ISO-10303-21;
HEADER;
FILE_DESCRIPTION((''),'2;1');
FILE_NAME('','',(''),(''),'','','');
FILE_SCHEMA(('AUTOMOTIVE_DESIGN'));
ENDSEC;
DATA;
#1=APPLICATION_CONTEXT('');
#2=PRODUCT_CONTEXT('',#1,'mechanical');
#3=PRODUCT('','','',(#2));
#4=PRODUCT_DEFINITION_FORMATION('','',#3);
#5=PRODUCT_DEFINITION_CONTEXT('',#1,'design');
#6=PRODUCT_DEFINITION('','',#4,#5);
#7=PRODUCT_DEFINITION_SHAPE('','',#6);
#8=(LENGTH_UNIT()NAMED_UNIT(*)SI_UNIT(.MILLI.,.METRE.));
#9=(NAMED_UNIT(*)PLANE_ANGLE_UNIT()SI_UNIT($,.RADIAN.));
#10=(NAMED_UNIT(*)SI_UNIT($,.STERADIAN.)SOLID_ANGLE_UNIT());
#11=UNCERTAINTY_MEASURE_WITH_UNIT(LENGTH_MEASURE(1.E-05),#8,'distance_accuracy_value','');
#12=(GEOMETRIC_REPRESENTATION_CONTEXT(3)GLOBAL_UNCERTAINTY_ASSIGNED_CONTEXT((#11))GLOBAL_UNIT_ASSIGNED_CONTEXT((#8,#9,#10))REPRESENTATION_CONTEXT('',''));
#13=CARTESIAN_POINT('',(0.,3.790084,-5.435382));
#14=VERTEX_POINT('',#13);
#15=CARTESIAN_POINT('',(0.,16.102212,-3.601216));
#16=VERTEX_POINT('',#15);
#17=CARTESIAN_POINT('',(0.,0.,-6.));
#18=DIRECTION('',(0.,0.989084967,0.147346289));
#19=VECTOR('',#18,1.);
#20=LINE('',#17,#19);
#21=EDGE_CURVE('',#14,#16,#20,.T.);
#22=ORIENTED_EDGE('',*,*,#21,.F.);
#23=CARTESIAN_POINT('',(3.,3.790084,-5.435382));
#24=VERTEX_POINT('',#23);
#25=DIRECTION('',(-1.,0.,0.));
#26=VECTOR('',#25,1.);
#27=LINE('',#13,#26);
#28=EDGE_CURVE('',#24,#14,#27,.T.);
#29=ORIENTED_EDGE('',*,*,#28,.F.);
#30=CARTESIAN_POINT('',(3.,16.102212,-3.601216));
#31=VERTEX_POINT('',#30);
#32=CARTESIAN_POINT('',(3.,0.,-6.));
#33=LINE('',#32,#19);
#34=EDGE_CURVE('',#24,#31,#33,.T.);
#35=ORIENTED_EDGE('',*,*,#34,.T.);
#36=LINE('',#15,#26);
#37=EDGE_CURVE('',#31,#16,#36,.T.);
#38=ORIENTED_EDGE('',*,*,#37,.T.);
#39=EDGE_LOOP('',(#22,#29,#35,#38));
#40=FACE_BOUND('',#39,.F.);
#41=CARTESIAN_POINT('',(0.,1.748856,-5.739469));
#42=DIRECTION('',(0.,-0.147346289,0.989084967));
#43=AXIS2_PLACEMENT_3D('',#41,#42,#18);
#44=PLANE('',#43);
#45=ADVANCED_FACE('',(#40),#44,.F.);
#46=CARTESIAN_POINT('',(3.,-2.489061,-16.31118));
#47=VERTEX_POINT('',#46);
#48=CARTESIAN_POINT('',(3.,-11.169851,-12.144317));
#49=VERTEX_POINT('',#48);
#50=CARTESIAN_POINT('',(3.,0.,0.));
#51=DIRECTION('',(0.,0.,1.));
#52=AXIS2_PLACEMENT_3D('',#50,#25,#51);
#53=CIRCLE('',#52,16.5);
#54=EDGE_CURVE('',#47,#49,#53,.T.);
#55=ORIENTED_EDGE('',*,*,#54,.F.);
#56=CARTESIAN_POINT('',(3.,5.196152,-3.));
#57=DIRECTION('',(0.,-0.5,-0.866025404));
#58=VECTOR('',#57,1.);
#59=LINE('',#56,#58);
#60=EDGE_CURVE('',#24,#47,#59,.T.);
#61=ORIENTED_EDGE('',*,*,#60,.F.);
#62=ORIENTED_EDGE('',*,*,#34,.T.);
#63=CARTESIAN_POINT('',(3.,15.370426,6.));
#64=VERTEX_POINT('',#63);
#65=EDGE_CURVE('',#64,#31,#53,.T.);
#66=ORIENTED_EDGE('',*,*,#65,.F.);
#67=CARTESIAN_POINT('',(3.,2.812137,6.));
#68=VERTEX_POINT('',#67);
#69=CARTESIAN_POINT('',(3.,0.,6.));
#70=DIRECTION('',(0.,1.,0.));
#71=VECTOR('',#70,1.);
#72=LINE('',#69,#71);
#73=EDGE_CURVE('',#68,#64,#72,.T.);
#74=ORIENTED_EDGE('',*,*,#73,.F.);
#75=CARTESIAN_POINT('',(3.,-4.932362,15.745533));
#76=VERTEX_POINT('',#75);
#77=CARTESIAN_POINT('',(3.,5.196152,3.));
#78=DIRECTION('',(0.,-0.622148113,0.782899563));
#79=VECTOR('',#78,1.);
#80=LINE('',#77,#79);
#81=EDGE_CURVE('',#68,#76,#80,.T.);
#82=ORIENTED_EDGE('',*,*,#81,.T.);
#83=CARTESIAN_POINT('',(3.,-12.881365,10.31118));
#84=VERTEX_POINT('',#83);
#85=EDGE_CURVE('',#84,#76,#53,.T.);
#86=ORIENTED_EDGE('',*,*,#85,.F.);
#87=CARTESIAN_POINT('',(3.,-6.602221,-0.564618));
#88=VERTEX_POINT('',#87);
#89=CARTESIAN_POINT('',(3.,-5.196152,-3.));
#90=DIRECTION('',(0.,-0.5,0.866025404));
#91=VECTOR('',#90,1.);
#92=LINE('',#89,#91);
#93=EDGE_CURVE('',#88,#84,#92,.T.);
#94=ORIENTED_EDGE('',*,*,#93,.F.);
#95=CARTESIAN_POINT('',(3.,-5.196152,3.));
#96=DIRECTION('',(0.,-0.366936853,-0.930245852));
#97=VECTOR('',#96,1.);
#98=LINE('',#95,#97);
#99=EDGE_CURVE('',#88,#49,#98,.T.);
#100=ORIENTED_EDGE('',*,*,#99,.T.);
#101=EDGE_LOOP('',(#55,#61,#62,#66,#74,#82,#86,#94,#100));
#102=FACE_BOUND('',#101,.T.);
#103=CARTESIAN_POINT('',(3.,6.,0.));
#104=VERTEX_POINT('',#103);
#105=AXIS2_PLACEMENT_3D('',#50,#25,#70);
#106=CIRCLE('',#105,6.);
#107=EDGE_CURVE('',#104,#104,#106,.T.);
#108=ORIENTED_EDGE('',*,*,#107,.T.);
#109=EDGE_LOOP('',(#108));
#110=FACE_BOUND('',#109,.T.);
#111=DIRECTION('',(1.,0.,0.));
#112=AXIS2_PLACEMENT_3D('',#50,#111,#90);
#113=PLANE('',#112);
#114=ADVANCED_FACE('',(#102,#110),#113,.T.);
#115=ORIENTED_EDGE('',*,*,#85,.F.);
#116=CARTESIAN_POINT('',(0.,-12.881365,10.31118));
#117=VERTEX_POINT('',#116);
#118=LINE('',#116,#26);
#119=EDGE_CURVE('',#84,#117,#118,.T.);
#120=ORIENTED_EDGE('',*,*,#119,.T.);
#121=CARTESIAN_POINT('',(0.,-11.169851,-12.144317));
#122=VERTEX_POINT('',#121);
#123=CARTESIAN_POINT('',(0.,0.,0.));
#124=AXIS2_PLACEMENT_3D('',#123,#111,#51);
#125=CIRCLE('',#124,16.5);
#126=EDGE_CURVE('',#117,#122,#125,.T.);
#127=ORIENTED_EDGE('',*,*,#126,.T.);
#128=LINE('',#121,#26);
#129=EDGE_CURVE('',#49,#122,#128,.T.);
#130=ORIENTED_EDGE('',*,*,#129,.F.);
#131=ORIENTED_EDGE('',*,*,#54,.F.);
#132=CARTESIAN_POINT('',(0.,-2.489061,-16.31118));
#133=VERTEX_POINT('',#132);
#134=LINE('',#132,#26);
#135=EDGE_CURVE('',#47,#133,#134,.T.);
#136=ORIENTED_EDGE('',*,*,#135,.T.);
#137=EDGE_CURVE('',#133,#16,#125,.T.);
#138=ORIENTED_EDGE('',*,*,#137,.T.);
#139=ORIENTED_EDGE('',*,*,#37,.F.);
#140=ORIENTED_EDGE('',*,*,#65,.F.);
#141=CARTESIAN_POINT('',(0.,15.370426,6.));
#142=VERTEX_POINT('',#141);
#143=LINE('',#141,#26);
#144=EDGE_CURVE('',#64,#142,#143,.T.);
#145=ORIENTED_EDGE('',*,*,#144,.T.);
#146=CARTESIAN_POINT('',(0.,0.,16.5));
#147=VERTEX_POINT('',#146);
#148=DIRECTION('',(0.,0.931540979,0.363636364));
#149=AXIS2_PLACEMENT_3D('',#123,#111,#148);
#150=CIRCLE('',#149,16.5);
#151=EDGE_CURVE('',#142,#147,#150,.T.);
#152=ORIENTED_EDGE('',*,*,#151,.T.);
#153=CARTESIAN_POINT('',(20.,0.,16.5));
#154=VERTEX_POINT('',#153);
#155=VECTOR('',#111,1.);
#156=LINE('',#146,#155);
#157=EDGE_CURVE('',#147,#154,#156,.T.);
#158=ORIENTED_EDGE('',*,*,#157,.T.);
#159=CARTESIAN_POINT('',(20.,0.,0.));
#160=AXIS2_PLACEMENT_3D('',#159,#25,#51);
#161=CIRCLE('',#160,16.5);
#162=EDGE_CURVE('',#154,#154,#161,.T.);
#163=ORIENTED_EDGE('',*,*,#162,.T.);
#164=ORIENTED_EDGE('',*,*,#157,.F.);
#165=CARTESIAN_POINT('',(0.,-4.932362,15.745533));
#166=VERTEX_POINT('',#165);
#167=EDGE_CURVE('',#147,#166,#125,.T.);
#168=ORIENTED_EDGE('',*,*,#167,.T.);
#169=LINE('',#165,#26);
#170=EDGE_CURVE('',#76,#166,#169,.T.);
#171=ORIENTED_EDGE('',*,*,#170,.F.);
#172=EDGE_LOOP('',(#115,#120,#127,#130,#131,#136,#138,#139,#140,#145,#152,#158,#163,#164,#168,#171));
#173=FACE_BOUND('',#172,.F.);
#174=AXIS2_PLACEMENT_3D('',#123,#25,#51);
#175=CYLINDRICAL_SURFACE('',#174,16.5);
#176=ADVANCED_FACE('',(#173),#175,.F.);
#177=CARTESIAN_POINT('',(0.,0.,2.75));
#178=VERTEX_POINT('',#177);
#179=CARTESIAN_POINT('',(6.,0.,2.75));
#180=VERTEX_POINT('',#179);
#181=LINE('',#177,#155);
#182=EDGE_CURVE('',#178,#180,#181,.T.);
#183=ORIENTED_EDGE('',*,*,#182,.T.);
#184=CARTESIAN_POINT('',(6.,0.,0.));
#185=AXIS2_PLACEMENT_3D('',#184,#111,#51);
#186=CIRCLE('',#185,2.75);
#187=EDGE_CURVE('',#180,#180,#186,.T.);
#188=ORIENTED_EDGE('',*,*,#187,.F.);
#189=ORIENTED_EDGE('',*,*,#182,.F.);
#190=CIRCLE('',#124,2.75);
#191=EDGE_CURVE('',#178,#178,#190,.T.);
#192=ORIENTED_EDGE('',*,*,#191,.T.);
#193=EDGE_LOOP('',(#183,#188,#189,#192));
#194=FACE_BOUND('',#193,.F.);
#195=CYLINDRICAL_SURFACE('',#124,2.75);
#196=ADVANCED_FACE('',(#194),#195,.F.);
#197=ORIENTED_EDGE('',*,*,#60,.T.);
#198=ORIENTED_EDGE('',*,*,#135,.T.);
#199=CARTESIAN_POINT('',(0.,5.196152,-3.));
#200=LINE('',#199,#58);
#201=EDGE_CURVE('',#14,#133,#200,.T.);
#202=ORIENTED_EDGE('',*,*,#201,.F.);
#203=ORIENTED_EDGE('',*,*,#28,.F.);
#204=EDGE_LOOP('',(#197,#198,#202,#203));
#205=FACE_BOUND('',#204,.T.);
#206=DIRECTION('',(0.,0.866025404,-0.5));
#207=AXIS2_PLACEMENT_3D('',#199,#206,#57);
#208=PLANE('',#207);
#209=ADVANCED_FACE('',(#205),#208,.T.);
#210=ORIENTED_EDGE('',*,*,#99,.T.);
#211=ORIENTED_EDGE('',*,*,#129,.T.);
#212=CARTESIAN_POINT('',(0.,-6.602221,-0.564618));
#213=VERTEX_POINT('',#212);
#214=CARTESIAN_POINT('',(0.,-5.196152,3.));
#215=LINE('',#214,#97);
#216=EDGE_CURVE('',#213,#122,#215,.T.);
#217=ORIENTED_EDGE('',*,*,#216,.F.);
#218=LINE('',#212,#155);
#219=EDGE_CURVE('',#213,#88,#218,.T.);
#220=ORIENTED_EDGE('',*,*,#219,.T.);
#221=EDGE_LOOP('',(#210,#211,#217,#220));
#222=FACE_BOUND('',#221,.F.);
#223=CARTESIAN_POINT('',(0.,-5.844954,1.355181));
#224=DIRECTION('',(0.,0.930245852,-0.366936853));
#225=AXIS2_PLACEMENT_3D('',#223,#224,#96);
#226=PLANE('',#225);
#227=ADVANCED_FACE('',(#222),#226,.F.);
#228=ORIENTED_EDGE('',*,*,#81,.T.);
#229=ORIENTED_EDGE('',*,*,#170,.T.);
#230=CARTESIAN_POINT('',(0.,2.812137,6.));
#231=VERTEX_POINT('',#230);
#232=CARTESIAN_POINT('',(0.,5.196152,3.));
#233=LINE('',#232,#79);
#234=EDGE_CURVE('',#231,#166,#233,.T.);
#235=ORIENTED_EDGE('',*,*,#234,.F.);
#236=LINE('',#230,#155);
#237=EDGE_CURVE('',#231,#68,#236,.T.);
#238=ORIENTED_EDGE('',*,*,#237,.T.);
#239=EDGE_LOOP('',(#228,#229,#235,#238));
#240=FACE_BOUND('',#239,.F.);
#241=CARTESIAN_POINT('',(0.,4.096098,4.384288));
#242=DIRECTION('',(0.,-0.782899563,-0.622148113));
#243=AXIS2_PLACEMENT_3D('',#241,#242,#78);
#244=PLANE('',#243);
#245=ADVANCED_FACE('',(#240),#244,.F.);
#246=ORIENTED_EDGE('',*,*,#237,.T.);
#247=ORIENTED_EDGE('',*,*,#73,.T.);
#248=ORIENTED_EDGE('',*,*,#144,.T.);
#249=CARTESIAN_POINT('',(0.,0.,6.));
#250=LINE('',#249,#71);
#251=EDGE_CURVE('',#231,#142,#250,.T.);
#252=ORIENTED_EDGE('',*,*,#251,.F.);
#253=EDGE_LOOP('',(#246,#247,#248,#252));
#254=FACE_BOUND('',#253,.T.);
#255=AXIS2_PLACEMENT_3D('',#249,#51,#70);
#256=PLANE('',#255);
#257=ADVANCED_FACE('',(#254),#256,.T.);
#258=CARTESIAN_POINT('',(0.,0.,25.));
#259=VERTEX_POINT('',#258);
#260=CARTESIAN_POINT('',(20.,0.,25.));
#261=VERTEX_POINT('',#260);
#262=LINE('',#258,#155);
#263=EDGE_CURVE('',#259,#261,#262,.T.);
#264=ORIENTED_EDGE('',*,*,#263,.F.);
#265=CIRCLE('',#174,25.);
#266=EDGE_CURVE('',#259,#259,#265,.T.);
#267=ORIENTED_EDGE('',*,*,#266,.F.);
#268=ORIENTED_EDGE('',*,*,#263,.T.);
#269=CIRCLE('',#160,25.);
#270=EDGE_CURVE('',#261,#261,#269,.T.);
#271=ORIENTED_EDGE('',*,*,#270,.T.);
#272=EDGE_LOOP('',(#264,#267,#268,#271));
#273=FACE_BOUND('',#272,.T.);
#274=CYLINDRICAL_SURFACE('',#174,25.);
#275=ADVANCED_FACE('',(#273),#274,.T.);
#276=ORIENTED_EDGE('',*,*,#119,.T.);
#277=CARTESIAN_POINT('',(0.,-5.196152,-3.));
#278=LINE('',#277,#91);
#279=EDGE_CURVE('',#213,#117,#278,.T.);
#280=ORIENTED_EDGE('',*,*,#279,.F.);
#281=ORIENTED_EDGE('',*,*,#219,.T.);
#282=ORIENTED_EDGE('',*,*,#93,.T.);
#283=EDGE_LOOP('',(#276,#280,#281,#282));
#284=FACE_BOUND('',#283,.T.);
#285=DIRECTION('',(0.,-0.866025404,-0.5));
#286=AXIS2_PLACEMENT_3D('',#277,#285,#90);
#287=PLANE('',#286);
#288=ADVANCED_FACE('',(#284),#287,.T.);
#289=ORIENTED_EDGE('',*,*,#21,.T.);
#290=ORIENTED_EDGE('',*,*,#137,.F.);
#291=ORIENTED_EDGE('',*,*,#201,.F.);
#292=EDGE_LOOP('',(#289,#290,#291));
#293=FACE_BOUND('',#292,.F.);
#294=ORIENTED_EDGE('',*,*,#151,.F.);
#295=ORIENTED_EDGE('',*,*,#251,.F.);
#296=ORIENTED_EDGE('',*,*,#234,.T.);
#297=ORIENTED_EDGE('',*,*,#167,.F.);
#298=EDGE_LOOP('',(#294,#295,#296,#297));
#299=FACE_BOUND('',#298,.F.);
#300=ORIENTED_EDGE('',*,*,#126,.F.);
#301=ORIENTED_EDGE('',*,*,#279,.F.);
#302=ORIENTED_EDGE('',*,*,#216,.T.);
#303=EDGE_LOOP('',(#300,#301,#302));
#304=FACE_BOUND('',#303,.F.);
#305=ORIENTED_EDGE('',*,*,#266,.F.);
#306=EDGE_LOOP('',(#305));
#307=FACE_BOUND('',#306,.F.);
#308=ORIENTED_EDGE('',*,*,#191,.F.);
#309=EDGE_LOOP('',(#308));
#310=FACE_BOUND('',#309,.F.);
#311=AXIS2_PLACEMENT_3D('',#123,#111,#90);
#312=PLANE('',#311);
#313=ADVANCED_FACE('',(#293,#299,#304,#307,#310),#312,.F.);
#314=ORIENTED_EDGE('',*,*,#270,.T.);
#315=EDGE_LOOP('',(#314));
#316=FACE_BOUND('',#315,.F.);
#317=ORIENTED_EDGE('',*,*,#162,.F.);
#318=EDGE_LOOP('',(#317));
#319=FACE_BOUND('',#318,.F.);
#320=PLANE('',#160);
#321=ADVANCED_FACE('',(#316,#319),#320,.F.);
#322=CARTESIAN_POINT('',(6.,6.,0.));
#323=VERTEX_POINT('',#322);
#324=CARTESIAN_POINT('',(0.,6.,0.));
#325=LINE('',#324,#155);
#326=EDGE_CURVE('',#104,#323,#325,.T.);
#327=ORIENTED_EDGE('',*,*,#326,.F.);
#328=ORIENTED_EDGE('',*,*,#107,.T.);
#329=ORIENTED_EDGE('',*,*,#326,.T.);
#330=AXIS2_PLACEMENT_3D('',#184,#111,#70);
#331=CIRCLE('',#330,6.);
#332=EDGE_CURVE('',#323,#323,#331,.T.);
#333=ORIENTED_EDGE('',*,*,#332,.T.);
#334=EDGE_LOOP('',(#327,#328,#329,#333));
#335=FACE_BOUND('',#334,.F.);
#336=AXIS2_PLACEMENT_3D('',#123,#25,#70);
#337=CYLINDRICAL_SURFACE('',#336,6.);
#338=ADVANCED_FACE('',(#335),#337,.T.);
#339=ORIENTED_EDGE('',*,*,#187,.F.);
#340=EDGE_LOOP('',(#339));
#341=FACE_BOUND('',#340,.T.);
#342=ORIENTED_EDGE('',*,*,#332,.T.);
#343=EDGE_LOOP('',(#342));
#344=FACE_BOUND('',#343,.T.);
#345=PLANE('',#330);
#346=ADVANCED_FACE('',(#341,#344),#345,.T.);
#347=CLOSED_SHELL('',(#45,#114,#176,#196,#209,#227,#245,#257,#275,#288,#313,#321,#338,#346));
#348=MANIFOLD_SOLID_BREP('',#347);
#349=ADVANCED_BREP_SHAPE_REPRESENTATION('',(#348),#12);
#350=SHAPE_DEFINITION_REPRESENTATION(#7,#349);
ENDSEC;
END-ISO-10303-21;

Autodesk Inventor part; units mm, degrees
ref_plane "YZ Plane" through (0, 0, 0) normal (1, 0, 0) x (0, 1, 0)
ref_plane "XZ Plane" through (0, 0, 0) normal (0, 1, 0) x (-1, 0, 0)
ref_plane "XY Plane" through (0, 0, 0) normal (0, 0, 1) x (1, 0, 0)
sketch "Sketch1" plane through (0, 0, 0) normal (1, 0, 0) x (0, 1, 0)
  circle A0 centre (0, 0) radius 6
  dimension "hubouter" = 12
extrude "Extrusion1" add sketch "Sketch1" along normal blind 6
sketch "Sketch2" plane through (0, 0, 0) normal (-1, 0, 0) x (0, 0, 1)
  circle A0 centre (0, 0) radius 1.5
  dimension "hole" = 3
hole "Hole1" at (0, 0, 0) direction (1, 0, 0) diameter 5.5 end through all
sketch "Sketch3" plane through (0, 0, 0) normal (-1, 0, 0) x (0, 0, 1)
  circle A0 centre (0, 0) radius 16.5
  circle A1 centre (0, 0) radius 25
  circle A2 centre (0, 0) radius 6 projected
  line L0 (6, 0) -> (26, 0)
  line L1 (16.1025, -3.6) -> (4.8, -3.6)
  line L2 (16.1025, 3.6) -> (4.8, 3.6)
  arc A3 (4.8, -3.6) -> (4.8, 3.6) centre (0, 0) ccw
  dimension "innerdiam" = 33
  dimension "outerdiam" = 50
extrude "Extrusion2" add sketch "Sketch3" against normal blind 20
sketch "Sketch5" plane through (0, 0, 0) normal (1, 0, 0) x (0, 1, 0)
  circle A0 centre (0, 0) radius 6 construction
  line L0 (0, 6) -> (22.3607, 6)
  circle A1 centre (0, 0) radius 2.75 projected
  line L1 (0, -6) -> (23.0083, -2.5724)
  line L2 (23.0083, -2.5724) -> (22.7003, -2.6183)
  arc A2 (0, -6) -> (0, 6) centre (0, 0) ccw
  arc A3 (23.0083, -2.5724) -> (22.3607, 6) centre (0, 0) ccw
  point P0 (1.7489, -5.7395)
extrude "Extrusion4" add sketch "Sketch5" along normal blind 3 contours L0 A3 L1 A2
pattern_circular "Circular Pattern2" count 3 over 360 about axis through (-10, 0, 0) along (1, 0, 0) of "Extrusion4"
ref_plane "Work Plane4" through (3, 16.1022, -3.6012) normal (1, 0, 0) x (0, 1, 0)
properties part number "Reaction_wheel_dr - Copy (3.3)" material "Steel, Carbon"
